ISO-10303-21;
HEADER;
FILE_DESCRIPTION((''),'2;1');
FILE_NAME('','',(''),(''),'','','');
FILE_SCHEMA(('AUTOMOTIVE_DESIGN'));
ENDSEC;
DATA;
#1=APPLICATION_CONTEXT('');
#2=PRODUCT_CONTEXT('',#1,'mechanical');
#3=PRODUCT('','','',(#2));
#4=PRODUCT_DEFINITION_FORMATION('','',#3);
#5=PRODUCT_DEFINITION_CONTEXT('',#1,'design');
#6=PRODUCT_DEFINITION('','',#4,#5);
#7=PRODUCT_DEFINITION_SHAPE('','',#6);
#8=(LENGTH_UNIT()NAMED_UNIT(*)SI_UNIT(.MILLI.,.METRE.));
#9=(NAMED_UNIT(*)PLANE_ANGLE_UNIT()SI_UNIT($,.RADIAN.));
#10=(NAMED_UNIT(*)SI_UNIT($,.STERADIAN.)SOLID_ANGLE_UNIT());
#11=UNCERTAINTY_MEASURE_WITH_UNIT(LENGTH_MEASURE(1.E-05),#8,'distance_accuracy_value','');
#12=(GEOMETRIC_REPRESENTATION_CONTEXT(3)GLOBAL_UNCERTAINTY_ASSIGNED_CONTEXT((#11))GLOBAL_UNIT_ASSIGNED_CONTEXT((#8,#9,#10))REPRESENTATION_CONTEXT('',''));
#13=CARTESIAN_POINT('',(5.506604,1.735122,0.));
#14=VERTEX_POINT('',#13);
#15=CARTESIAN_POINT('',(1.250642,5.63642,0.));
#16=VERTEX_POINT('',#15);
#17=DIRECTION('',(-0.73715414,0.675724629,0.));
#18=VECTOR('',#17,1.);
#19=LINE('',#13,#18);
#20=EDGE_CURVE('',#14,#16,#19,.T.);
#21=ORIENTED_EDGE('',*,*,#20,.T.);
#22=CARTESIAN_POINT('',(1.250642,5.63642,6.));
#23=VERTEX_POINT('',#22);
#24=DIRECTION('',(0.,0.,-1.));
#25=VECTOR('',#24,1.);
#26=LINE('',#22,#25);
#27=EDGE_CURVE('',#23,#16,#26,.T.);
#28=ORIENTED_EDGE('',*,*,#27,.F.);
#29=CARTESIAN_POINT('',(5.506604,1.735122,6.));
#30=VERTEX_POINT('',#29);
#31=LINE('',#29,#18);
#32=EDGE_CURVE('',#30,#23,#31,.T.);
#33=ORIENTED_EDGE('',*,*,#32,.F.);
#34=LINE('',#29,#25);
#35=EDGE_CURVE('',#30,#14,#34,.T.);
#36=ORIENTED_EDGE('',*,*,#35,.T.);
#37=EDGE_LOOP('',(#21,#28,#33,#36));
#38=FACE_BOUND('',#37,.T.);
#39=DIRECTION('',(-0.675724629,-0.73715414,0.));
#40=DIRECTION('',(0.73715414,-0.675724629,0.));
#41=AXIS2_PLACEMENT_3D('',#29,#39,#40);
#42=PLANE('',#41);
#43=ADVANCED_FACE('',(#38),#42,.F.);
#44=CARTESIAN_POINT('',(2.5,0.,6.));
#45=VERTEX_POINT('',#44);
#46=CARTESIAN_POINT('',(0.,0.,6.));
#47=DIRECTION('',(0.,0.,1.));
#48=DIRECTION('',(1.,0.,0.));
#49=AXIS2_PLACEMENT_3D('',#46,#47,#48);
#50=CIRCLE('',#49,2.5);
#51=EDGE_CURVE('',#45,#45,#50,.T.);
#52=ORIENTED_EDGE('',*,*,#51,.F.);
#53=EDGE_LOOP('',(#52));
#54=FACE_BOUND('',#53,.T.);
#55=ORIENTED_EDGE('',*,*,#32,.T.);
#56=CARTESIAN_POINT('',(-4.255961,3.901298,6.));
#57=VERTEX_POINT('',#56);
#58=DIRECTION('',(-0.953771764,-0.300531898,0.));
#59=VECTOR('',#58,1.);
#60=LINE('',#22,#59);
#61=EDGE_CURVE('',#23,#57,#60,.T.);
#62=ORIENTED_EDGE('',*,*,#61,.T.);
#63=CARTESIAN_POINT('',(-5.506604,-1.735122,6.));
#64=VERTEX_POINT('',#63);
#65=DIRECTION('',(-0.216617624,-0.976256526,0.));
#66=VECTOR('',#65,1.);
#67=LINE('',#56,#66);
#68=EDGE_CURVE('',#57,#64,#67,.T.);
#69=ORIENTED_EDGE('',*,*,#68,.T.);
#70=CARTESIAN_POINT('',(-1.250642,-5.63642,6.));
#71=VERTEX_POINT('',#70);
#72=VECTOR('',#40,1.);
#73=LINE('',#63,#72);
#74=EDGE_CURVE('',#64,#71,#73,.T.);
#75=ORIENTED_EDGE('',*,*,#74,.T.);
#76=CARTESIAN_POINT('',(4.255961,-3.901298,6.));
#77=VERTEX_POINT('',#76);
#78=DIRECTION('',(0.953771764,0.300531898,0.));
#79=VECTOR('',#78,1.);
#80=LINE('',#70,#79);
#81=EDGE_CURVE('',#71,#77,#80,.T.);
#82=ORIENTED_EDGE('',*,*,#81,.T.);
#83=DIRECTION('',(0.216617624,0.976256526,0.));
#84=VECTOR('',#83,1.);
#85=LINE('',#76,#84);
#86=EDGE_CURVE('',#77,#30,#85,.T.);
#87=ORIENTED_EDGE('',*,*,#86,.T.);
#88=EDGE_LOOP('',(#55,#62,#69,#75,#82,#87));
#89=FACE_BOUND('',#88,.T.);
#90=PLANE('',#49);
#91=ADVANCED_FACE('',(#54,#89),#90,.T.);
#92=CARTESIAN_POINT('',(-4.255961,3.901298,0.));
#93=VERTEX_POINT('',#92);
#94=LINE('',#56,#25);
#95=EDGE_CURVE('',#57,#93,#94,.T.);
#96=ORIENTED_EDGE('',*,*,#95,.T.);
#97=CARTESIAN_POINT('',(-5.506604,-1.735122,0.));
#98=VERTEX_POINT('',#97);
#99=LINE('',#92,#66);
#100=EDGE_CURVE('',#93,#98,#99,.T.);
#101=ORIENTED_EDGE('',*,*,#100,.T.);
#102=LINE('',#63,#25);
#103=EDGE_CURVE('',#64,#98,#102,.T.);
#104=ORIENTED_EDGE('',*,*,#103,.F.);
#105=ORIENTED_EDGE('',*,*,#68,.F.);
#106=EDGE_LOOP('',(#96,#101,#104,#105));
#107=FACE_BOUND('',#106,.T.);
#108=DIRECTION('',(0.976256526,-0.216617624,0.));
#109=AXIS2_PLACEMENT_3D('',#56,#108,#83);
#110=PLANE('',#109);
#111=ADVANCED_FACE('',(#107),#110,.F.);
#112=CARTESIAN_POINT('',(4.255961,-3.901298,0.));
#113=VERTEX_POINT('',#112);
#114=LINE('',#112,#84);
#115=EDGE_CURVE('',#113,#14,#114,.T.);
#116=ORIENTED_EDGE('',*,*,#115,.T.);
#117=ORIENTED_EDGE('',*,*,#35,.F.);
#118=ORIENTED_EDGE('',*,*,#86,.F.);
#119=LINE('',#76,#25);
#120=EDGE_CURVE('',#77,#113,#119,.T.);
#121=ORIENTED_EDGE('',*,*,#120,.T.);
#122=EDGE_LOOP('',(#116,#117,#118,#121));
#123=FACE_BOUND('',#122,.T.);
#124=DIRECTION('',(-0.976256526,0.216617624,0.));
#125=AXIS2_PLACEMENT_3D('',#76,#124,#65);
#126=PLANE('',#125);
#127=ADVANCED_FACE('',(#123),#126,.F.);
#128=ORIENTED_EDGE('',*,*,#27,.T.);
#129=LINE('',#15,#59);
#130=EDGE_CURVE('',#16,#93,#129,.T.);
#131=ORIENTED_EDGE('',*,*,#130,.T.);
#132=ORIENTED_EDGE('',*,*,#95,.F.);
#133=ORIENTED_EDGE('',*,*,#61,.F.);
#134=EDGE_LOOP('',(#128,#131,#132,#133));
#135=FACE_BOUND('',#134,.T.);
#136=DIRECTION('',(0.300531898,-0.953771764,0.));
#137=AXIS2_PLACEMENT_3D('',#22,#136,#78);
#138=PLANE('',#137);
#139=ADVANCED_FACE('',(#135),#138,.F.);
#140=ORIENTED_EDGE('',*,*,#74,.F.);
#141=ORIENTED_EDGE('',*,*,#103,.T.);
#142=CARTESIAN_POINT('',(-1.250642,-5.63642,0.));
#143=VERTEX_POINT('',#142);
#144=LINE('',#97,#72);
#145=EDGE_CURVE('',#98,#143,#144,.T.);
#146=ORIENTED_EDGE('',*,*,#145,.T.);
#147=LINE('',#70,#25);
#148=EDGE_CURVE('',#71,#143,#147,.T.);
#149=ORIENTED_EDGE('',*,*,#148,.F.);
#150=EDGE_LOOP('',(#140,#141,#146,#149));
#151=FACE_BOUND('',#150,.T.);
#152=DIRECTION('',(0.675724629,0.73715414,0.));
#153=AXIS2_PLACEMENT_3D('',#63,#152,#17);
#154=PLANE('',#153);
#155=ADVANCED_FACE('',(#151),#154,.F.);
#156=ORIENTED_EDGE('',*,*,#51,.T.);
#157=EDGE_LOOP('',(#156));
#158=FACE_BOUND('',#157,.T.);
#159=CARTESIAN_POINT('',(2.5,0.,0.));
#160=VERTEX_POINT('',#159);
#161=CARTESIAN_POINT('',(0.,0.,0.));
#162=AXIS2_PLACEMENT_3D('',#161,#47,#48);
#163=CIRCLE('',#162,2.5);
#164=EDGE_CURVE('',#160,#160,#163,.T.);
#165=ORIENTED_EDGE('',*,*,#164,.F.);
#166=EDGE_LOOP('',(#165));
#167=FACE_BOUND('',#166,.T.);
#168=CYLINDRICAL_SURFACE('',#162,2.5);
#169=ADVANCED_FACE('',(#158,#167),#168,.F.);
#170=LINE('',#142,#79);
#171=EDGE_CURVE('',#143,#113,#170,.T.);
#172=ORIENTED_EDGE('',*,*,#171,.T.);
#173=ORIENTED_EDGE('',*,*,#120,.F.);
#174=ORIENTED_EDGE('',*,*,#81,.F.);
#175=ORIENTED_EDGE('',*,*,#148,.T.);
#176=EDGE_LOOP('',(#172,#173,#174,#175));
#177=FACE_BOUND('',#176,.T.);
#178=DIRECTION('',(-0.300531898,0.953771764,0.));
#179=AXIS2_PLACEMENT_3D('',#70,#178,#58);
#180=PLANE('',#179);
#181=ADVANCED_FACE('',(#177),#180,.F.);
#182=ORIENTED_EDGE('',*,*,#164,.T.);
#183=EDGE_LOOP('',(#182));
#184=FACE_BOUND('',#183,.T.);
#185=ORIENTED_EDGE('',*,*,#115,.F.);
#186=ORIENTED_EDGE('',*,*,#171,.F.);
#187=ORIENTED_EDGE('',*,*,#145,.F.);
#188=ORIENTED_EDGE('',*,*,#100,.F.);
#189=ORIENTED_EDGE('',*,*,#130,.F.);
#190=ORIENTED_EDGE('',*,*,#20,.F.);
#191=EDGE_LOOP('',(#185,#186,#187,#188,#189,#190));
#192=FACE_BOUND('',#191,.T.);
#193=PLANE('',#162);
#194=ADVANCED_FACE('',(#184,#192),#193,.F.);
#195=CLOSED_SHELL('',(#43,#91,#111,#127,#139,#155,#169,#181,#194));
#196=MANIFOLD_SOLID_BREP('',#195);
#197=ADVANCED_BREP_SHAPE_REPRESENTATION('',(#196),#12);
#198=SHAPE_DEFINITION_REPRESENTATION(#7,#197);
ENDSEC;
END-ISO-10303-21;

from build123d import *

# Parameters (mm, degrees)
EXTRUDE_1_DEPTH     = 6
SKETCH_2_R          = 2.5
CUT_EXTRUDE_1_DEPTH = 10.904136145


with BuildPart() as part:
    # ｽｹｯﾁ1 → ﾎﾞｽ - 押し出し1 (new body)
    with BuildSketch(Plane.XY):
        Polygon((4.255961413, -3.901297962), (5.506603849, 1.73512172), (1.250642436, 5.636419682), (-4.255961413, 3.901297962), (-5.506603849, -1.73512172), (-1.250642436, -5.636419682), align=None)
    extrude(amount=EXTRUDE_1_DEPTH)

    # ｽｹｯﾁ2 → ｶｯﾄ - 押し出し1 (cut, through all)
    with BuildSketch(Plane.XY.offset(6)):
        Circle(SKETCH_2_R)
    extrude(amount=-CUT_EXTRUDE_1_DEPTH, mode=Mode.SUBTRACT)


solid = part.part
